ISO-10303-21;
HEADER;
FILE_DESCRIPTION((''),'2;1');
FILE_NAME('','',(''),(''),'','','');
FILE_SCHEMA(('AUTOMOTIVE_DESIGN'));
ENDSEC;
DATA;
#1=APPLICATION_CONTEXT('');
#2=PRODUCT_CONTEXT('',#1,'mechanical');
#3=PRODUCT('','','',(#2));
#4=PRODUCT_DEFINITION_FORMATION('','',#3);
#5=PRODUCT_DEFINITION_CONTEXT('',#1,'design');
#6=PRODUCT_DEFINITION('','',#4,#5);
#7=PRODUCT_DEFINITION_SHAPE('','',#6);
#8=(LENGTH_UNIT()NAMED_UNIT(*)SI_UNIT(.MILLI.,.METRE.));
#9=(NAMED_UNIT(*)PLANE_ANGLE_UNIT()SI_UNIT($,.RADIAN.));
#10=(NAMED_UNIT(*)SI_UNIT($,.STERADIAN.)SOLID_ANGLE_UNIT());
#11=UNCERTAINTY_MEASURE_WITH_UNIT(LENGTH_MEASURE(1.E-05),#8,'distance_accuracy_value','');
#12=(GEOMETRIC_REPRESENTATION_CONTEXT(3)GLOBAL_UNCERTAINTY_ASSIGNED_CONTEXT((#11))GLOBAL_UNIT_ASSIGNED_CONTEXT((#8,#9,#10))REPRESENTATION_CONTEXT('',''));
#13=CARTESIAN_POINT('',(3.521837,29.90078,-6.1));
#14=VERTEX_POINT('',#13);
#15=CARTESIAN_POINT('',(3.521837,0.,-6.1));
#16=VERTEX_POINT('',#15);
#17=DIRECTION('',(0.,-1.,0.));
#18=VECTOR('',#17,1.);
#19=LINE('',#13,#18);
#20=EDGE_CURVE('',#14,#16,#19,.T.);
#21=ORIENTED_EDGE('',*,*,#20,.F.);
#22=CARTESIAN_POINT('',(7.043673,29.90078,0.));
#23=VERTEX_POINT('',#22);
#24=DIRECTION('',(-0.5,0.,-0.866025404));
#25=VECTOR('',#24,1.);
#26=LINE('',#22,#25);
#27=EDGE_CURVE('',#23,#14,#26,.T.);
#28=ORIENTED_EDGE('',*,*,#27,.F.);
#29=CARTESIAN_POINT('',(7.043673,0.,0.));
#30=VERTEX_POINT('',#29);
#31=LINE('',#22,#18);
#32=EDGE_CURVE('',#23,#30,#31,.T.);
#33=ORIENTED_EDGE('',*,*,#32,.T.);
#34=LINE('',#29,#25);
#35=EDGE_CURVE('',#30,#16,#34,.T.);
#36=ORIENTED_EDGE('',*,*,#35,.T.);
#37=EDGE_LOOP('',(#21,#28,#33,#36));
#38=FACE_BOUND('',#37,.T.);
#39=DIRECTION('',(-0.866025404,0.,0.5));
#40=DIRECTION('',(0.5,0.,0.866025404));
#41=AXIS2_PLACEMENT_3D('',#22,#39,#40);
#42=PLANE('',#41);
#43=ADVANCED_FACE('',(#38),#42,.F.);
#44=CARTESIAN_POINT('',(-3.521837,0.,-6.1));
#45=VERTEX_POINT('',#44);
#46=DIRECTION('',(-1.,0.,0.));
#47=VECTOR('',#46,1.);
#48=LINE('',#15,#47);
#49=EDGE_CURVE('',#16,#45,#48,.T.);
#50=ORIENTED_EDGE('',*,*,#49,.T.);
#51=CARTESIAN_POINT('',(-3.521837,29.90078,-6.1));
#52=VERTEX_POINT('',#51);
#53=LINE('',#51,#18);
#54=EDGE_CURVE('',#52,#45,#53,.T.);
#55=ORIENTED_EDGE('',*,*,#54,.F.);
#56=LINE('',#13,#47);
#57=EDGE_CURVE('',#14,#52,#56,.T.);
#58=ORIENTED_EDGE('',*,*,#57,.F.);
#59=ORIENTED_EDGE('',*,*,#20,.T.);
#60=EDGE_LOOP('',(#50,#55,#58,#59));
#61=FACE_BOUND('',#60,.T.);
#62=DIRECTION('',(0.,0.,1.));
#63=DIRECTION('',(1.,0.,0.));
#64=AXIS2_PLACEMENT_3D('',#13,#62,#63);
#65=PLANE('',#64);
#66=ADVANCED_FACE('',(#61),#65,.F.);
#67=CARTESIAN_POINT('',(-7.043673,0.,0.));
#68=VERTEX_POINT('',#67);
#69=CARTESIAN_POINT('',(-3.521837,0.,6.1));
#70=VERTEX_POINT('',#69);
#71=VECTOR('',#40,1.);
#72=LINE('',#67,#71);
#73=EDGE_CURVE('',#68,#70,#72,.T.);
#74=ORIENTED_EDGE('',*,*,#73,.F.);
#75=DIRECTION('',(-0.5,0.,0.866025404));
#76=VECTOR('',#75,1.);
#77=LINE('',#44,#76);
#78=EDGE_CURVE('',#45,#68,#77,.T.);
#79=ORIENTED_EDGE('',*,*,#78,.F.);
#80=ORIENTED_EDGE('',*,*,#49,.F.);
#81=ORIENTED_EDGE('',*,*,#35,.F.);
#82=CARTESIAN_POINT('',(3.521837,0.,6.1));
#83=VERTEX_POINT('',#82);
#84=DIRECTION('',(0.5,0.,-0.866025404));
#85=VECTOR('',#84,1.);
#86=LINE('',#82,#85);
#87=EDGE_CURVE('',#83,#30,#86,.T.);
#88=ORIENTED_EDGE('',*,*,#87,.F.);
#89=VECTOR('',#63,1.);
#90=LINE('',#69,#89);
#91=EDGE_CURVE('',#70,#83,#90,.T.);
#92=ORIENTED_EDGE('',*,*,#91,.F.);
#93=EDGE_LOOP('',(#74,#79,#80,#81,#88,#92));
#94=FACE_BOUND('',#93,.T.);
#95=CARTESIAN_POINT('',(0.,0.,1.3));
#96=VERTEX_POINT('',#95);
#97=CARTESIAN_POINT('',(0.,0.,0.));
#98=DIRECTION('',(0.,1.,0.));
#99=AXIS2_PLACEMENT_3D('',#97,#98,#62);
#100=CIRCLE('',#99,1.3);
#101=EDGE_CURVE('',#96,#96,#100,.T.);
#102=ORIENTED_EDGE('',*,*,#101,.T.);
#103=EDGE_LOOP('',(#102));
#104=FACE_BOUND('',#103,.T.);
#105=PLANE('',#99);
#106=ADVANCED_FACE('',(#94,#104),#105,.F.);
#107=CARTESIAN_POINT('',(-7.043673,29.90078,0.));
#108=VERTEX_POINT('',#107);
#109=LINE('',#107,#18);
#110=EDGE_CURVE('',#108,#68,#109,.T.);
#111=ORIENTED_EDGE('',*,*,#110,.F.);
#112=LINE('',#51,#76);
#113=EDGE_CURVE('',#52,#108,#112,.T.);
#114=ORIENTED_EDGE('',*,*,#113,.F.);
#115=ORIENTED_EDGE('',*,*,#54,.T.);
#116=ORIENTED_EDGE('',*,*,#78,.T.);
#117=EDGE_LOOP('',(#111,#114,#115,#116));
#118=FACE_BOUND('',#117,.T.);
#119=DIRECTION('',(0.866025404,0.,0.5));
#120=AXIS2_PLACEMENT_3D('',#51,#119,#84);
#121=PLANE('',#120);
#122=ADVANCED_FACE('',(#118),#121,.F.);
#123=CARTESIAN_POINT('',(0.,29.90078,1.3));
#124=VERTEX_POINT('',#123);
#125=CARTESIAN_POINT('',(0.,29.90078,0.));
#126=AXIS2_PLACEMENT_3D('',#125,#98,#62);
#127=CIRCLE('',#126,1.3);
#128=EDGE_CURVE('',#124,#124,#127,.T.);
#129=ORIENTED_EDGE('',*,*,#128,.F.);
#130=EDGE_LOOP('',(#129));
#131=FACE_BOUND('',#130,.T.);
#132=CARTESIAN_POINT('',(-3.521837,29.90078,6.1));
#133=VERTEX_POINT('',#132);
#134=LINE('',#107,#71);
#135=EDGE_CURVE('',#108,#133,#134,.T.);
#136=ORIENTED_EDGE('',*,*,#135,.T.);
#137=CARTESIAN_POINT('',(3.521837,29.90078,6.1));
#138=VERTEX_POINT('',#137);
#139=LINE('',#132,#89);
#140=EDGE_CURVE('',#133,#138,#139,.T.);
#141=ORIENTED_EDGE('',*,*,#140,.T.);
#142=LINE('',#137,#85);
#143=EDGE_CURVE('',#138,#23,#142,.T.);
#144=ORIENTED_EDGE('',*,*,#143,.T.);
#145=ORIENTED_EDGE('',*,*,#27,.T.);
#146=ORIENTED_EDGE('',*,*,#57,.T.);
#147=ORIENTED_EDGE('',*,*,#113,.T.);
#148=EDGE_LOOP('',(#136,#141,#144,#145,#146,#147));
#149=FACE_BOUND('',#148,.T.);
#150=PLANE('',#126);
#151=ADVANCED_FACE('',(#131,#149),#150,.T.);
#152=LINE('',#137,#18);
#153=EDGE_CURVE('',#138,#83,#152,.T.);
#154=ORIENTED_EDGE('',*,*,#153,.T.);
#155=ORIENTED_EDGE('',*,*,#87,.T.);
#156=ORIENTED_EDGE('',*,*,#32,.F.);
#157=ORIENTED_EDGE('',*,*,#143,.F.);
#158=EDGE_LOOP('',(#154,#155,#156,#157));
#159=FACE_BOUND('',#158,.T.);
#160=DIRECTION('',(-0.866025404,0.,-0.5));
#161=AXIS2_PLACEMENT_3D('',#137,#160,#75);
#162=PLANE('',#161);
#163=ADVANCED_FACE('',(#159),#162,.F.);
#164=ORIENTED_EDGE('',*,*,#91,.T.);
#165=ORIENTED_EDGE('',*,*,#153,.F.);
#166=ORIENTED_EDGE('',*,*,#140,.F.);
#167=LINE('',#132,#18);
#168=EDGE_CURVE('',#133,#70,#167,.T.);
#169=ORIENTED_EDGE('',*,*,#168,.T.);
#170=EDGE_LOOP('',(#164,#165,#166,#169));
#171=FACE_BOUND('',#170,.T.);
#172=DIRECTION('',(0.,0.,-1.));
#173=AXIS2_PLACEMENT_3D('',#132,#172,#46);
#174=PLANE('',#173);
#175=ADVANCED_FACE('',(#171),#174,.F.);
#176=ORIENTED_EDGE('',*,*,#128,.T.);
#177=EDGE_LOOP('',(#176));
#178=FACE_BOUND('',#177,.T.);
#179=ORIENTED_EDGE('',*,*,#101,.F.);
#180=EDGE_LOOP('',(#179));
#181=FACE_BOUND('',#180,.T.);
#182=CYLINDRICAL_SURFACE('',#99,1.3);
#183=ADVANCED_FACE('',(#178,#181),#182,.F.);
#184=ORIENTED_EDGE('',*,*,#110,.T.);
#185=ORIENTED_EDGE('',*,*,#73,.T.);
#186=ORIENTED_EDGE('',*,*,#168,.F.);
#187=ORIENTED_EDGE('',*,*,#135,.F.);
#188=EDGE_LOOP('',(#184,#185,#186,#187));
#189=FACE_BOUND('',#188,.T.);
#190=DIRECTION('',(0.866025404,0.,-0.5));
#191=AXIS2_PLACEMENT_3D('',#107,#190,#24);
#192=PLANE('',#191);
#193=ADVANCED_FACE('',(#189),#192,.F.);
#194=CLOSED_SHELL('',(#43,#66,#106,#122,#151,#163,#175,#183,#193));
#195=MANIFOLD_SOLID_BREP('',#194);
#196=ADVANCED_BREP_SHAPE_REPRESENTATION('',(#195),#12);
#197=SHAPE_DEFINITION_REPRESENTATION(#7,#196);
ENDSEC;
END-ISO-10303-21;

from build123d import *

# Parameters (mm, degrees)
BOSS_EXTRUDE1_DEPTH = 29.90078
SKETCH2_R           = 1.3
CUT_EXTRUDE1_DEPTH  = 30.90078


with BuildPart() as part:
    # Sketch1 → Boss-Extrude1 (new body)
    with BuildSketch(Plane(origin=(0, 0, 0), x_dir=(1, 0, 0), z_dir=(0, 1, 0))):
        Polygon((3.521836642, 6.1), (-3.521836642, 6.1), (-7.043673284, 0), (-3.521836642, -6.1), (3.521836642, -6.1), (7.043673284, 0), align=None)
    extrude(amount=BOSS_EXTRUDE1_DEPTH)

    # Sketch2 → Cut-Extrude1 (cut, through all)
    with BuildSketch(Plane(origin=(0, 29.90078, 0), x_dir=(1, 0, 0), z_dir=(0, 1, 0))):
        Circle(SKETCH2_R)
    extrude(amount=-CUT_EXTRUDE1_DEPTH, mode=Mode.SUBTRACT)


solid = part.part
